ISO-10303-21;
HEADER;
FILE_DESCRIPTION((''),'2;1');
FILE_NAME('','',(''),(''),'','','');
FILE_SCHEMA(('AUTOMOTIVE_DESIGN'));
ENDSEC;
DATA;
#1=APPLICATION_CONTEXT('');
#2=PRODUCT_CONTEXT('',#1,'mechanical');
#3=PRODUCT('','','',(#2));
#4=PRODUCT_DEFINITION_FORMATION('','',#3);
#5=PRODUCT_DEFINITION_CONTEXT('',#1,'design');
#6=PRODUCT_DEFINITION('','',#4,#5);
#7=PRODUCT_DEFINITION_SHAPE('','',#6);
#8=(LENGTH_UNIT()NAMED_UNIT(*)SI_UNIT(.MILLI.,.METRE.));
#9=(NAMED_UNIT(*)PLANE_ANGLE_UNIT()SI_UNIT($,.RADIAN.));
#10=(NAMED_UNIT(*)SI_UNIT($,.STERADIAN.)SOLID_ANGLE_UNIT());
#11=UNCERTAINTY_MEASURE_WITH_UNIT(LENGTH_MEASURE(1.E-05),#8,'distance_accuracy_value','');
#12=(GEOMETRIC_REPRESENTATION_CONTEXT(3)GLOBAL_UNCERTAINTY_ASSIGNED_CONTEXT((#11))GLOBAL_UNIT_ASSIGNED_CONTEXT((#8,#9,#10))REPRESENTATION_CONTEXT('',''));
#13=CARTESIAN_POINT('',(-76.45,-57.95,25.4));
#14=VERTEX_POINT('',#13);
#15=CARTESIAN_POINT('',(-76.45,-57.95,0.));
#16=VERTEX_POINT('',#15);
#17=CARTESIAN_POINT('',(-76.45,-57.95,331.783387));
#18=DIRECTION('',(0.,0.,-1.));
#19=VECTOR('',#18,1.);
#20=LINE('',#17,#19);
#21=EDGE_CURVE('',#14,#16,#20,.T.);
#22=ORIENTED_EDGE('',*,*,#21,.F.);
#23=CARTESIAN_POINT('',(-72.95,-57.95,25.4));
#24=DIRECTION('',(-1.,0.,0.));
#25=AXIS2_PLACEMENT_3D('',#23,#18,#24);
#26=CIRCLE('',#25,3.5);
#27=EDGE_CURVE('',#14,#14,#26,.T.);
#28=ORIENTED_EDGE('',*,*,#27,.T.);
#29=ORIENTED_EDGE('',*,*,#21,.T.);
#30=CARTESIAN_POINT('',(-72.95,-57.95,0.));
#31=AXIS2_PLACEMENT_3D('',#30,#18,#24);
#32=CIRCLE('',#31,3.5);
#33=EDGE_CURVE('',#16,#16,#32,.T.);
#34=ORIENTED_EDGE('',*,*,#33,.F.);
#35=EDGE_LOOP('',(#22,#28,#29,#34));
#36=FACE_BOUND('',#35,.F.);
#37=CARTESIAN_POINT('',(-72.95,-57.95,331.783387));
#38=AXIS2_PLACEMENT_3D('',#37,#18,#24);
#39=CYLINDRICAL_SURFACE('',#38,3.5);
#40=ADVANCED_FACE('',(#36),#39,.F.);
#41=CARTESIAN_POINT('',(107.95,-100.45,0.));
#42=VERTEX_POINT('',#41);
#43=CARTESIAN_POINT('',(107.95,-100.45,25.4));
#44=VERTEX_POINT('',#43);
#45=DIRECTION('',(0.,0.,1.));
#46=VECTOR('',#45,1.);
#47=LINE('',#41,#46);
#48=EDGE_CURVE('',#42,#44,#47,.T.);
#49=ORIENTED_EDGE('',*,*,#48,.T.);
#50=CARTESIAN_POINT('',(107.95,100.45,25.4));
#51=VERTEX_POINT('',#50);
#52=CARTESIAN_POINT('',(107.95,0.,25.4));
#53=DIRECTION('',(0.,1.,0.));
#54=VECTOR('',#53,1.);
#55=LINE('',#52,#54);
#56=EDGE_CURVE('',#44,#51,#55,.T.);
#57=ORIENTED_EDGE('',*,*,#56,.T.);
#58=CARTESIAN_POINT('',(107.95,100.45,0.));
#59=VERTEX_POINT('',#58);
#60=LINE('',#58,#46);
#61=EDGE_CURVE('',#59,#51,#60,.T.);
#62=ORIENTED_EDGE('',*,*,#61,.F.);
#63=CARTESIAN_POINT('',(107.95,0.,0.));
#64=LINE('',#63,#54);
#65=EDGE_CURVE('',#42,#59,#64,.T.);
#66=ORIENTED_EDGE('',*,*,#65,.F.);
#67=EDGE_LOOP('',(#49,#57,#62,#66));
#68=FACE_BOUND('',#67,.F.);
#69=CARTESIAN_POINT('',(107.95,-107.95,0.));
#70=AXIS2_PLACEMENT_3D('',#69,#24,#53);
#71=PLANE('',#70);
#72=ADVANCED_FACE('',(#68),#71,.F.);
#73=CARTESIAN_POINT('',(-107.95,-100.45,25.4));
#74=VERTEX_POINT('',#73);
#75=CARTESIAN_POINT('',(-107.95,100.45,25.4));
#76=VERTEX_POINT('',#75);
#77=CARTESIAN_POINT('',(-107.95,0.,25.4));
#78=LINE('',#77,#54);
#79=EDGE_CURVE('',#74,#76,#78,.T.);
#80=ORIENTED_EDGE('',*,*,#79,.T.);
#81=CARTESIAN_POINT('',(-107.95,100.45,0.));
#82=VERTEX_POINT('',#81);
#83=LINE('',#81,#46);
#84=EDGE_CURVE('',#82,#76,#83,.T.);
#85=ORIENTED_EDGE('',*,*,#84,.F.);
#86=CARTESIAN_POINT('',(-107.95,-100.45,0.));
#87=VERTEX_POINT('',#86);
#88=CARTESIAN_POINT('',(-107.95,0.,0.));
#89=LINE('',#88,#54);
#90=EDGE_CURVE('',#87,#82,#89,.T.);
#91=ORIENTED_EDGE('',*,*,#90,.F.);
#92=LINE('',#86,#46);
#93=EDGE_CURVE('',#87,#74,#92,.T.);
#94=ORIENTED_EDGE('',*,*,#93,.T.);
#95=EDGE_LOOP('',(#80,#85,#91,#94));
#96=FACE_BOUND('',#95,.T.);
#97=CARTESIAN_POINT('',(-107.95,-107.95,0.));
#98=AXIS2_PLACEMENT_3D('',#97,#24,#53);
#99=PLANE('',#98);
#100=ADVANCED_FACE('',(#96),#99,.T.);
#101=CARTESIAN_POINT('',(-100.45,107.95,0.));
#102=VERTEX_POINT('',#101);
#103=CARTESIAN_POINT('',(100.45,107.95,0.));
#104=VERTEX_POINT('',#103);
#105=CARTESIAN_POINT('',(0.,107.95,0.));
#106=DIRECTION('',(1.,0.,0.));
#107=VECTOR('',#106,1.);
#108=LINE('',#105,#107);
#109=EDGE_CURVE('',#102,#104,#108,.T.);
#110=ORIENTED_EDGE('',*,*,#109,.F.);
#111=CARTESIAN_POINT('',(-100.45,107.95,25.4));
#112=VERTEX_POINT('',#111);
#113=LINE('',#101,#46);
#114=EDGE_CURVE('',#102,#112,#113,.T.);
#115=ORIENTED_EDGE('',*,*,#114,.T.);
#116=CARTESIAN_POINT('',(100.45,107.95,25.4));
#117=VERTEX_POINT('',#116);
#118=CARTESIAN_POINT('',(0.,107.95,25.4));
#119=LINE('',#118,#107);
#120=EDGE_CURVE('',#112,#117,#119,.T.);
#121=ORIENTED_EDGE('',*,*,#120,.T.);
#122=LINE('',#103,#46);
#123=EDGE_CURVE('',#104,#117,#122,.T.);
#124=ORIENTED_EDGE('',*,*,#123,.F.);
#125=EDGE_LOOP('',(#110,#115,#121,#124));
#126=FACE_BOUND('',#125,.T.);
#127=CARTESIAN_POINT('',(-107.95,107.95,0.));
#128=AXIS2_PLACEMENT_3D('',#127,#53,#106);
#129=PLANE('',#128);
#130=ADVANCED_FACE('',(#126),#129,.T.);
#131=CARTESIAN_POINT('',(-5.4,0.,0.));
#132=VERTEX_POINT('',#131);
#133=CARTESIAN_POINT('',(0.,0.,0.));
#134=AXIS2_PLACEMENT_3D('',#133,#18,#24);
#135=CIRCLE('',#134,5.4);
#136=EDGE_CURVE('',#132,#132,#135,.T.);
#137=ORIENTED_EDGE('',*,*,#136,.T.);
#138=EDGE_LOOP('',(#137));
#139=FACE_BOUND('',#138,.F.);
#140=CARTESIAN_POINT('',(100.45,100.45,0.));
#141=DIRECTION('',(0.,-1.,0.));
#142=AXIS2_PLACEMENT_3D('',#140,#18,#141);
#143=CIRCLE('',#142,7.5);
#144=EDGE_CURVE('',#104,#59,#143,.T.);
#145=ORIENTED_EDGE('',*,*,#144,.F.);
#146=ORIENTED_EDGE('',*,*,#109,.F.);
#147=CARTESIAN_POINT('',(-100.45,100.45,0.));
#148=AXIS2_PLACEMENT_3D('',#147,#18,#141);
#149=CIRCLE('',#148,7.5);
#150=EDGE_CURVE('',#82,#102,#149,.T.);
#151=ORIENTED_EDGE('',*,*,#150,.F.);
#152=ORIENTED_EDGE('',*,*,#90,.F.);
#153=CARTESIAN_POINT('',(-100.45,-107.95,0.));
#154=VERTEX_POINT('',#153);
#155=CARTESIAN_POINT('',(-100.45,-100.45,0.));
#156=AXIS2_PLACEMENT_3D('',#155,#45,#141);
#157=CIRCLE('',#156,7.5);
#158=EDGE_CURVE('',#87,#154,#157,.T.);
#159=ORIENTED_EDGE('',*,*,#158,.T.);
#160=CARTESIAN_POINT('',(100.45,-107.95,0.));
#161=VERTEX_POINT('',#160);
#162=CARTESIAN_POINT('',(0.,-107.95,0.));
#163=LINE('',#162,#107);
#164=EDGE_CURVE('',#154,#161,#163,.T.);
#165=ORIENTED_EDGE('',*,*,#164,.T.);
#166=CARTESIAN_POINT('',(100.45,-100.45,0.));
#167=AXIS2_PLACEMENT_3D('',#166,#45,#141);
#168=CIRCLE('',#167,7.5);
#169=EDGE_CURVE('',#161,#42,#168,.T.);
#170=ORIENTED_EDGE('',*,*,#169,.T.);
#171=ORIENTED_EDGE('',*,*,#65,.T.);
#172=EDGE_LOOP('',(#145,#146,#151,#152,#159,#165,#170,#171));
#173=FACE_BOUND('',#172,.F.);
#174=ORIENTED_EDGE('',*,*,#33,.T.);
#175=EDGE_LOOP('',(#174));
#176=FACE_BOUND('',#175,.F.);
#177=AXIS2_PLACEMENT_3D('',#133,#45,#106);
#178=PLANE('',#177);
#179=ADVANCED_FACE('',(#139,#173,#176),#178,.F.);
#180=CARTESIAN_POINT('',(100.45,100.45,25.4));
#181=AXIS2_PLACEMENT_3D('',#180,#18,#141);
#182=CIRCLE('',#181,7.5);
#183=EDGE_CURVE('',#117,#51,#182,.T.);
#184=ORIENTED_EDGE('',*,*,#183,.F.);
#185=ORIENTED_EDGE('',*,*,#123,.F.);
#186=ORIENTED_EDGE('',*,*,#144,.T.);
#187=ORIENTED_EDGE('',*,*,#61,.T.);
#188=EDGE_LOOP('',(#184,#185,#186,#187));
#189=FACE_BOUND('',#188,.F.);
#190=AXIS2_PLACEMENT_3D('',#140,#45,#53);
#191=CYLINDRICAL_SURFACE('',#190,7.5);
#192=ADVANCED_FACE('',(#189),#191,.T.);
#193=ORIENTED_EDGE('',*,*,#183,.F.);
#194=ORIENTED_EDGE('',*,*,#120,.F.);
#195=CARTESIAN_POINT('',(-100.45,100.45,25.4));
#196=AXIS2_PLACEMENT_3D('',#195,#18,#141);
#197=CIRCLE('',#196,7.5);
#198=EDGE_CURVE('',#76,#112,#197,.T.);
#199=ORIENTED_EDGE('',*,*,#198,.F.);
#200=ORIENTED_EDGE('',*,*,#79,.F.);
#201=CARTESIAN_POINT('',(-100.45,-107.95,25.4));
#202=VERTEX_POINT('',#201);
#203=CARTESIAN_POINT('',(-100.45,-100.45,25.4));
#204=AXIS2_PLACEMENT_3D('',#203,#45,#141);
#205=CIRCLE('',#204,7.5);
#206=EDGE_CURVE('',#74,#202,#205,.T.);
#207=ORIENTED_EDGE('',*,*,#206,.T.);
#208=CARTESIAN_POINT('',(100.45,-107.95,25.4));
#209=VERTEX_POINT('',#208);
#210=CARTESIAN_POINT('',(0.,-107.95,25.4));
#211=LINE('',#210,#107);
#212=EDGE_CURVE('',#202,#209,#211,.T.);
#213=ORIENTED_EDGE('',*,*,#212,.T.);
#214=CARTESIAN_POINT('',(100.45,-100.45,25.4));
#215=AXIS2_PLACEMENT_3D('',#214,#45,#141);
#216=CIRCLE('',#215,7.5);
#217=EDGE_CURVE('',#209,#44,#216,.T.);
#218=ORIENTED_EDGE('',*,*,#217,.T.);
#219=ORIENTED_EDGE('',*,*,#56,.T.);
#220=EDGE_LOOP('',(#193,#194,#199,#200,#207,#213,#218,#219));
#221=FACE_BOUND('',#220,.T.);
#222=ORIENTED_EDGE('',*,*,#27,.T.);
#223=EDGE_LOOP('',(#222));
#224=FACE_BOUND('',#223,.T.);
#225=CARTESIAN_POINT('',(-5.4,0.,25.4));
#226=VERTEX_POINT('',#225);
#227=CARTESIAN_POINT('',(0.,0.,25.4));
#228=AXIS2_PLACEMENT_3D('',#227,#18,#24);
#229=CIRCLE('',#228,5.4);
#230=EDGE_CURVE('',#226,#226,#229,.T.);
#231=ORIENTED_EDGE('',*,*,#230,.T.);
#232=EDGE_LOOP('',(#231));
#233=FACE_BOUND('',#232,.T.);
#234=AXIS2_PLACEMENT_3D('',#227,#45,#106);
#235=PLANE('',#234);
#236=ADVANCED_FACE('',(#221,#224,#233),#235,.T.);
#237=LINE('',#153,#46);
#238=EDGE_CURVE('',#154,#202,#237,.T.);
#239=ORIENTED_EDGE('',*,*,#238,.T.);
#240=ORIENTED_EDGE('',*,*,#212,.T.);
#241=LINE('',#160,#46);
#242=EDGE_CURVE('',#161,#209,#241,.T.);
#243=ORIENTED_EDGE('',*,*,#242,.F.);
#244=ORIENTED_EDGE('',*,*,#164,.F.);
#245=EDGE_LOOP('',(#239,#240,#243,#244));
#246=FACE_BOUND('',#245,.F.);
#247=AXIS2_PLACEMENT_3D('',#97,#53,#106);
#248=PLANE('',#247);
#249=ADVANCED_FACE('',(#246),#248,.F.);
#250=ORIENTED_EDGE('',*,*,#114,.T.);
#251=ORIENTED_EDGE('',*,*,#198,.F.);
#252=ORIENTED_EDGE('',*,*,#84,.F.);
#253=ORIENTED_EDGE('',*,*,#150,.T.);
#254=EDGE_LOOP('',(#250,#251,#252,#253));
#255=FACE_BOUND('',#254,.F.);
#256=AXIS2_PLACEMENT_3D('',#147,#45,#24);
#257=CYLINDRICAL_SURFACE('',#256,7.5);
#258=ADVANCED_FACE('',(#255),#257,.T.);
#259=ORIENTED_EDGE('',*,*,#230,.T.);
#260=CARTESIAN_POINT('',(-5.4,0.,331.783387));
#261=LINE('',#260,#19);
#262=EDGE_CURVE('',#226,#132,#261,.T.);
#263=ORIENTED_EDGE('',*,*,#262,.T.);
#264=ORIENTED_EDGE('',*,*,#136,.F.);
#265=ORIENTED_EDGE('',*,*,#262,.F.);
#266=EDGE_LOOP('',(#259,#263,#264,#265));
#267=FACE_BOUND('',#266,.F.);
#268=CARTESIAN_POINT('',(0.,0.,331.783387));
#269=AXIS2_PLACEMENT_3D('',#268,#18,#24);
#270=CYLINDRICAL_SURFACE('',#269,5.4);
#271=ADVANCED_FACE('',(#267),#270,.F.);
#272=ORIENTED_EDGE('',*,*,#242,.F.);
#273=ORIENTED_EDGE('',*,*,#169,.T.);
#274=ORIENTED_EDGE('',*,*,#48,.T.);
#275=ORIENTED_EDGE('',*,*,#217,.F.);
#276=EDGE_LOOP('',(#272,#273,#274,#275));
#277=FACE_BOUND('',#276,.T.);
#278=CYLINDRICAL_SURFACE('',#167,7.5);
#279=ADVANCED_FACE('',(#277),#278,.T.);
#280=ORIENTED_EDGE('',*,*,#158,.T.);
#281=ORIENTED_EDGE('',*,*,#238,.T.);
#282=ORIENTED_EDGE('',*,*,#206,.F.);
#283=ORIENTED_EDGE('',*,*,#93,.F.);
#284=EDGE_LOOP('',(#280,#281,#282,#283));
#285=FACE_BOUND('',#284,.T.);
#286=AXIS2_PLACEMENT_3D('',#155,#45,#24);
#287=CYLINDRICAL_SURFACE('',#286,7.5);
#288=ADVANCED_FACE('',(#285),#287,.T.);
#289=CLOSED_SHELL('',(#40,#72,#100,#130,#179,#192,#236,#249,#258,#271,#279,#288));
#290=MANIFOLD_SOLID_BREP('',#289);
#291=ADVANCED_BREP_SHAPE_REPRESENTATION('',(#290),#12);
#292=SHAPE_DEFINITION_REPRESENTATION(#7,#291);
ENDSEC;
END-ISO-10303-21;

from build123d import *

# Parameters (mm, degrees)
F0_W     = 215.9
F0_H     = 215.9
F1_DEPTH = 25.4
F3_D     = 10.8
F4_R     = 7.5
F6_D     = 7


with BuildPart() as f1:
    # F0 (on Top) → F1 (new body)
    with BuildSketch(Plane.XY):
        Rectangle(F0_W, F0_H)
    extrude(amount=F1_DEPTH)

    # F3 (through all)
    with Locations(Plane.XY.offset(25.4)):
        with Locations((0, 0)):
            Hole(F3_D / 2)

    # F4
    f4_edges = [f1.edges().sort_by_distance(p)[0] for p in [
        (-107.95, -107.95, 12.7),
        (107.95, -107.95, 12.7),
        (107.95, 107.95, 12.7),
        (-107.95, 107.95, 12.7),
    ]]
    fillet(f4_edges, radius=F4_R)

    # F6 (through all)
    with Locations(Plane.XY.offset(25.4)):
        with Locations((-72.95, -57.95)):
            Hole(F6_D / 2)


solid = f1.part
